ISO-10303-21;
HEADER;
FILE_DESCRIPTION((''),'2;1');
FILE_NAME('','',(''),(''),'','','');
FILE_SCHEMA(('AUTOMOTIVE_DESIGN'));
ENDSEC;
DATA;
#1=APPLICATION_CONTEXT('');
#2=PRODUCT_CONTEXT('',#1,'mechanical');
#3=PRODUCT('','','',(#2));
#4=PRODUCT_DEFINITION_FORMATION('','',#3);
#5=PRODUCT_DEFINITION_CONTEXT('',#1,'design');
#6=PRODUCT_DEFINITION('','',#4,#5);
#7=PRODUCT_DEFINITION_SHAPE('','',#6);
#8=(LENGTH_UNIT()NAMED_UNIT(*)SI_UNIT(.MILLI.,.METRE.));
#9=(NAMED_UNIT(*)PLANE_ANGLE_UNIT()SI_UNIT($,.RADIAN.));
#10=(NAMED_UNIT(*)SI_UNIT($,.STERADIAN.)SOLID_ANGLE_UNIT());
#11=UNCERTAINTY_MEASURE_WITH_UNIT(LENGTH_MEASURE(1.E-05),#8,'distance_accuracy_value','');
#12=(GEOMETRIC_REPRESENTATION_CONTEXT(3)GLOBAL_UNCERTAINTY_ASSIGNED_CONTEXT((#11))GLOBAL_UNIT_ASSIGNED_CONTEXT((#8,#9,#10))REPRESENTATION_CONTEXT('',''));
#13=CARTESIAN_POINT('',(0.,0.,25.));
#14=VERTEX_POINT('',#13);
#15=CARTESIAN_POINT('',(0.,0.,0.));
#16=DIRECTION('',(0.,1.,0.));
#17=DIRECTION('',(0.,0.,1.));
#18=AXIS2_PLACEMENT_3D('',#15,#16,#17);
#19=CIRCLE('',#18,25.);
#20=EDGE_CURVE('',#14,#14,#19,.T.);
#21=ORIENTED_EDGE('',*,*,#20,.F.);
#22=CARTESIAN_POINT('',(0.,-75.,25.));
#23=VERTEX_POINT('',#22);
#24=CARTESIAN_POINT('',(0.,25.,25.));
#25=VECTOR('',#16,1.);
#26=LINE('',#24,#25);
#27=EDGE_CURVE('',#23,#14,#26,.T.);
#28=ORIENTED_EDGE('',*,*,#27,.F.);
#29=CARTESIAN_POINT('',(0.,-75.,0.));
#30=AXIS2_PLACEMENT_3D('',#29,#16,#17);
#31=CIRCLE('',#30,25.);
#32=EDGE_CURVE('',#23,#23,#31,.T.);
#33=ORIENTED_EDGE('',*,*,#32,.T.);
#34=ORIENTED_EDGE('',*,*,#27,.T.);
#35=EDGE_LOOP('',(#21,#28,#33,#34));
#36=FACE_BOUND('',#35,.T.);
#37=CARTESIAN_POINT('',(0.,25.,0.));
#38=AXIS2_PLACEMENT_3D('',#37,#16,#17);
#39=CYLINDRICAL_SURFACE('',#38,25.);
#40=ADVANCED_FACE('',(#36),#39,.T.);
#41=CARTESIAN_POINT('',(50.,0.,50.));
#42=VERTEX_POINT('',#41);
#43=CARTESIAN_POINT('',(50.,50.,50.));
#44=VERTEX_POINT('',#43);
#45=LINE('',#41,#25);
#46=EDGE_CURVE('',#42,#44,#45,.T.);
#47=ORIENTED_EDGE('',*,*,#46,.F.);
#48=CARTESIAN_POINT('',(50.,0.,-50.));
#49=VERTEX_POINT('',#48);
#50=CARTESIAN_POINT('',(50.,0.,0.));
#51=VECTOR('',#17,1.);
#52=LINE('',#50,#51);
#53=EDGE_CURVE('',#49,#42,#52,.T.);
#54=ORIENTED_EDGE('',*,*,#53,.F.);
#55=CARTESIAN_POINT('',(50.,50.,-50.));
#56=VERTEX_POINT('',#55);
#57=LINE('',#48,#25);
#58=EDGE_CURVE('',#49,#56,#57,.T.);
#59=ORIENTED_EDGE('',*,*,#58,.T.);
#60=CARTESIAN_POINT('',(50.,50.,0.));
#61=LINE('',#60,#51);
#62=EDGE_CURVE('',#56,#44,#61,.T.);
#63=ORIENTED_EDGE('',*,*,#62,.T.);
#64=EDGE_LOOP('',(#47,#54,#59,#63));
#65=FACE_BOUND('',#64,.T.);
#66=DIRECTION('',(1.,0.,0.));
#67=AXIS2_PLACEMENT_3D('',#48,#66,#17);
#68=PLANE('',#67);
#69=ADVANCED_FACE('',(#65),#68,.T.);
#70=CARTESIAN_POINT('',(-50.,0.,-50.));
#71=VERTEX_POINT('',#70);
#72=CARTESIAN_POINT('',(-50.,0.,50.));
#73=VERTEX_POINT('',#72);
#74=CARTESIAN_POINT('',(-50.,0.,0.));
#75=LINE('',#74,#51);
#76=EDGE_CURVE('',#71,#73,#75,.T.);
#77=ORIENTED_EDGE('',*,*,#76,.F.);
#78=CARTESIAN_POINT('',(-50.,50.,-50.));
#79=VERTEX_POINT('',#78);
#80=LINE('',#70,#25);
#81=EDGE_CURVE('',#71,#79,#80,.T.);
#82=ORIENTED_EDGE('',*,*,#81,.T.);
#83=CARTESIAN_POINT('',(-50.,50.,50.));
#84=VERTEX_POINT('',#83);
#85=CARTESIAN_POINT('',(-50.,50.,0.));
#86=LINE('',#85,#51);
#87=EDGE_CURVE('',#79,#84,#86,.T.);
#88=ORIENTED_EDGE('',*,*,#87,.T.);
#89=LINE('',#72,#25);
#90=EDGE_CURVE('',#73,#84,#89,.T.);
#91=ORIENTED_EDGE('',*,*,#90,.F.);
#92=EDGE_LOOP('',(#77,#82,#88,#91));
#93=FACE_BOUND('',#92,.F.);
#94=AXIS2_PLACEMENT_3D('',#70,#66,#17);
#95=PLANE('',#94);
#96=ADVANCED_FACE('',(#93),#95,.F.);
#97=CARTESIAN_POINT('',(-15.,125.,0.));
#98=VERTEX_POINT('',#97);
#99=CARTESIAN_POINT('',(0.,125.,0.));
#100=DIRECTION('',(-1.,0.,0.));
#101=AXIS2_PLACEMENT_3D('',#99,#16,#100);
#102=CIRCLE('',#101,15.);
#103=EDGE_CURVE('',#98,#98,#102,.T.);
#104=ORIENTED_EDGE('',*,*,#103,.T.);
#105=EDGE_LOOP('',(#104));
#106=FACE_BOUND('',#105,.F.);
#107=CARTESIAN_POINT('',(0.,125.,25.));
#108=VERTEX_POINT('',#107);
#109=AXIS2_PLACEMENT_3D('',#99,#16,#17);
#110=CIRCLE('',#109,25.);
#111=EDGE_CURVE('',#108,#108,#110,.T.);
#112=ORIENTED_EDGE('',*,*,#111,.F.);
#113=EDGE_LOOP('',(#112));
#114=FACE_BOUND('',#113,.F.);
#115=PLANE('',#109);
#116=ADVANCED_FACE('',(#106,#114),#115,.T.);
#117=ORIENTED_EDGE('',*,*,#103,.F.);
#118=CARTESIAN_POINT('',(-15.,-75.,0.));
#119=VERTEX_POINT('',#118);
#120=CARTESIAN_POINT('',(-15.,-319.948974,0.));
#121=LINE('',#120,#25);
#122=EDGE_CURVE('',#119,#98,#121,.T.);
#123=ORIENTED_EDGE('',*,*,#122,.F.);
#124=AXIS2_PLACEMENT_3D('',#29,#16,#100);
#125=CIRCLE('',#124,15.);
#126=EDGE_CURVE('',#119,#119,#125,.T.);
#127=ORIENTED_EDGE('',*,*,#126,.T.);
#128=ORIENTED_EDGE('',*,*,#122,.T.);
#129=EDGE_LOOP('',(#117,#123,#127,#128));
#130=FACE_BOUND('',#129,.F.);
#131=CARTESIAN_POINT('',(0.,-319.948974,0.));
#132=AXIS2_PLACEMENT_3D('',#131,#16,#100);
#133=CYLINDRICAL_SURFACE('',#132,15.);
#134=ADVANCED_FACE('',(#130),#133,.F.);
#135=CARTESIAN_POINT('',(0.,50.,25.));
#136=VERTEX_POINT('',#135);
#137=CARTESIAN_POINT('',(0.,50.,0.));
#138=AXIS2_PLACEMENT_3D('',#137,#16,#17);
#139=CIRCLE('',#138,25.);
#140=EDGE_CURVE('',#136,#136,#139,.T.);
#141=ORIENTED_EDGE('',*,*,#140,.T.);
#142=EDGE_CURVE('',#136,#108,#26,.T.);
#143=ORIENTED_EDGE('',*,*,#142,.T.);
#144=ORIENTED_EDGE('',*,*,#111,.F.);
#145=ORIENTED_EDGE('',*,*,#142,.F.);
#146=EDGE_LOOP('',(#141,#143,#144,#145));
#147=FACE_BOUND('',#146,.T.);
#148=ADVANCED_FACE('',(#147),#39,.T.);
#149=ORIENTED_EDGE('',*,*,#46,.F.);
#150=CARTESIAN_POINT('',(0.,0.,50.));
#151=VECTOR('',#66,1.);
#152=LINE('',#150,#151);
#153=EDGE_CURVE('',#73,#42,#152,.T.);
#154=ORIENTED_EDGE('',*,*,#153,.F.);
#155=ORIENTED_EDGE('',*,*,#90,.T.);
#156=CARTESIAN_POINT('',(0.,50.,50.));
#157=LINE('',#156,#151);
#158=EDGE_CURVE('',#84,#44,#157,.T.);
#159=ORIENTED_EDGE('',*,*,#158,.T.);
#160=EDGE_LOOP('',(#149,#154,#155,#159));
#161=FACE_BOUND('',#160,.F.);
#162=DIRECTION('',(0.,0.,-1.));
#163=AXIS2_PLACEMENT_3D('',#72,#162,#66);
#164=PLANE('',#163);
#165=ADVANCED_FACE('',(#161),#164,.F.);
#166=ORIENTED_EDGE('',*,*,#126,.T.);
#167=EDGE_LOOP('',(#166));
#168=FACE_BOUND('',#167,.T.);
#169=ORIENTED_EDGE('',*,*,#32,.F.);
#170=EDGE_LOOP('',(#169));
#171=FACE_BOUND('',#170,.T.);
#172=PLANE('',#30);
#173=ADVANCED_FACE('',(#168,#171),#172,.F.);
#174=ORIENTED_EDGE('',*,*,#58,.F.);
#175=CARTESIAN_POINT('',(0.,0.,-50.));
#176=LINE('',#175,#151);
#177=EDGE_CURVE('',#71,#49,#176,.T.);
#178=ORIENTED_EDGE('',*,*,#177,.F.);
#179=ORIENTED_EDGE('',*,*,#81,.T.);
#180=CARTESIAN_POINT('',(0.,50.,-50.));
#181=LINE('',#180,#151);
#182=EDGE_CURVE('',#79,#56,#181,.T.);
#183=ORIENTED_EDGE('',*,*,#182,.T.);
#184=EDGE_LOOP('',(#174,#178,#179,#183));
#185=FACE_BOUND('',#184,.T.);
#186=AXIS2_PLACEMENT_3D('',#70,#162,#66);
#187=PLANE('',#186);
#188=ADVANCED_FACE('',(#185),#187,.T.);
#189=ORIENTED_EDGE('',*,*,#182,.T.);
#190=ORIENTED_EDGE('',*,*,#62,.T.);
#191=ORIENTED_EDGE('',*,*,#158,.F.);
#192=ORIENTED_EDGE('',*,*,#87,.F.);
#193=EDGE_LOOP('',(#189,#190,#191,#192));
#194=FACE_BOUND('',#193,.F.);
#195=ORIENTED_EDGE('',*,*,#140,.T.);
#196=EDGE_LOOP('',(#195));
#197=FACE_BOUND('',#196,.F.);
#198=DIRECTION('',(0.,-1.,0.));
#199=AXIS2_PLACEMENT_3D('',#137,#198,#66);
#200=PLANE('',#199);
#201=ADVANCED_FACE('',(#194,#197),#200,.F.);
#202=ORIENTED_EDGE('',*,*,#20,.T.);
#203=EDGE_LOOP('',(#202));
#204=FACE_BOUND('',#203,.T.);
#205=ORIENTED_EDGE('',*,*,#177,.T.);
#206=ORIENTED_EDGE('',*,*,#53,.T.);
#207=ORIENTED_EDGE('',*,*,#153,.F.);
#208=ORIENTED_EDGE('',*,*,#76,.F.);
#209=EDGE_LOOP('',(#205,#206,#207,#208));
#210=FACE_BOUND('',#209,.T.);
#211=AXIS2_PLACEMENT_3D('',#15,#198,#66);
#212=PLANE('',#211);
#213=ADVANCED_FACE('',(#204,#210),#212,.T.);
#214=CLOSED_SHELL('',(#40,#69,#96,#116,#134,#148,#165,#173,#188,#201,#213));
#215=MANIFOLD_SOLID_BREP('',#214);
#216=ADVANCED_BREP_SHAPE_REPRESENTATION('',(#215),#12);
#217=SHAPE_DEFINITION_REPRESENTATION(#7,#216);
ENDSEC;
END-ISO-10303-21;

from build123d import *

# Parameters (mm, degrees)
F0_W     = 100
F0_H     = 100
F1_DEPTH = 50
F2_W     = 200
F2_H     = 25
F5_D     = 30


with BuildPart() as f1:
    # F0 (on Front) → F1 (new body)
    with BuildSketch(Plane.XZ):
        Rectangle(F0_W, F0_H)
    extrude(amount=-F1_DEPTH)

    # F2 (on Right) → F3 (revolve)
    with BuildSketch(Plane.YZ):
        with Locations((25, 12.5)):
            Rectangle(F2_W, F2_H)
    revolve(axis=Axis((0, 49.7826111294, 0), (0, 1, 0)))

    # F5 (through all)
    with Locations(Plane.XZ.offset(75)):
        with Locations((0, 0)):
            Hole(F5_D / 2)


solid = f1.part
